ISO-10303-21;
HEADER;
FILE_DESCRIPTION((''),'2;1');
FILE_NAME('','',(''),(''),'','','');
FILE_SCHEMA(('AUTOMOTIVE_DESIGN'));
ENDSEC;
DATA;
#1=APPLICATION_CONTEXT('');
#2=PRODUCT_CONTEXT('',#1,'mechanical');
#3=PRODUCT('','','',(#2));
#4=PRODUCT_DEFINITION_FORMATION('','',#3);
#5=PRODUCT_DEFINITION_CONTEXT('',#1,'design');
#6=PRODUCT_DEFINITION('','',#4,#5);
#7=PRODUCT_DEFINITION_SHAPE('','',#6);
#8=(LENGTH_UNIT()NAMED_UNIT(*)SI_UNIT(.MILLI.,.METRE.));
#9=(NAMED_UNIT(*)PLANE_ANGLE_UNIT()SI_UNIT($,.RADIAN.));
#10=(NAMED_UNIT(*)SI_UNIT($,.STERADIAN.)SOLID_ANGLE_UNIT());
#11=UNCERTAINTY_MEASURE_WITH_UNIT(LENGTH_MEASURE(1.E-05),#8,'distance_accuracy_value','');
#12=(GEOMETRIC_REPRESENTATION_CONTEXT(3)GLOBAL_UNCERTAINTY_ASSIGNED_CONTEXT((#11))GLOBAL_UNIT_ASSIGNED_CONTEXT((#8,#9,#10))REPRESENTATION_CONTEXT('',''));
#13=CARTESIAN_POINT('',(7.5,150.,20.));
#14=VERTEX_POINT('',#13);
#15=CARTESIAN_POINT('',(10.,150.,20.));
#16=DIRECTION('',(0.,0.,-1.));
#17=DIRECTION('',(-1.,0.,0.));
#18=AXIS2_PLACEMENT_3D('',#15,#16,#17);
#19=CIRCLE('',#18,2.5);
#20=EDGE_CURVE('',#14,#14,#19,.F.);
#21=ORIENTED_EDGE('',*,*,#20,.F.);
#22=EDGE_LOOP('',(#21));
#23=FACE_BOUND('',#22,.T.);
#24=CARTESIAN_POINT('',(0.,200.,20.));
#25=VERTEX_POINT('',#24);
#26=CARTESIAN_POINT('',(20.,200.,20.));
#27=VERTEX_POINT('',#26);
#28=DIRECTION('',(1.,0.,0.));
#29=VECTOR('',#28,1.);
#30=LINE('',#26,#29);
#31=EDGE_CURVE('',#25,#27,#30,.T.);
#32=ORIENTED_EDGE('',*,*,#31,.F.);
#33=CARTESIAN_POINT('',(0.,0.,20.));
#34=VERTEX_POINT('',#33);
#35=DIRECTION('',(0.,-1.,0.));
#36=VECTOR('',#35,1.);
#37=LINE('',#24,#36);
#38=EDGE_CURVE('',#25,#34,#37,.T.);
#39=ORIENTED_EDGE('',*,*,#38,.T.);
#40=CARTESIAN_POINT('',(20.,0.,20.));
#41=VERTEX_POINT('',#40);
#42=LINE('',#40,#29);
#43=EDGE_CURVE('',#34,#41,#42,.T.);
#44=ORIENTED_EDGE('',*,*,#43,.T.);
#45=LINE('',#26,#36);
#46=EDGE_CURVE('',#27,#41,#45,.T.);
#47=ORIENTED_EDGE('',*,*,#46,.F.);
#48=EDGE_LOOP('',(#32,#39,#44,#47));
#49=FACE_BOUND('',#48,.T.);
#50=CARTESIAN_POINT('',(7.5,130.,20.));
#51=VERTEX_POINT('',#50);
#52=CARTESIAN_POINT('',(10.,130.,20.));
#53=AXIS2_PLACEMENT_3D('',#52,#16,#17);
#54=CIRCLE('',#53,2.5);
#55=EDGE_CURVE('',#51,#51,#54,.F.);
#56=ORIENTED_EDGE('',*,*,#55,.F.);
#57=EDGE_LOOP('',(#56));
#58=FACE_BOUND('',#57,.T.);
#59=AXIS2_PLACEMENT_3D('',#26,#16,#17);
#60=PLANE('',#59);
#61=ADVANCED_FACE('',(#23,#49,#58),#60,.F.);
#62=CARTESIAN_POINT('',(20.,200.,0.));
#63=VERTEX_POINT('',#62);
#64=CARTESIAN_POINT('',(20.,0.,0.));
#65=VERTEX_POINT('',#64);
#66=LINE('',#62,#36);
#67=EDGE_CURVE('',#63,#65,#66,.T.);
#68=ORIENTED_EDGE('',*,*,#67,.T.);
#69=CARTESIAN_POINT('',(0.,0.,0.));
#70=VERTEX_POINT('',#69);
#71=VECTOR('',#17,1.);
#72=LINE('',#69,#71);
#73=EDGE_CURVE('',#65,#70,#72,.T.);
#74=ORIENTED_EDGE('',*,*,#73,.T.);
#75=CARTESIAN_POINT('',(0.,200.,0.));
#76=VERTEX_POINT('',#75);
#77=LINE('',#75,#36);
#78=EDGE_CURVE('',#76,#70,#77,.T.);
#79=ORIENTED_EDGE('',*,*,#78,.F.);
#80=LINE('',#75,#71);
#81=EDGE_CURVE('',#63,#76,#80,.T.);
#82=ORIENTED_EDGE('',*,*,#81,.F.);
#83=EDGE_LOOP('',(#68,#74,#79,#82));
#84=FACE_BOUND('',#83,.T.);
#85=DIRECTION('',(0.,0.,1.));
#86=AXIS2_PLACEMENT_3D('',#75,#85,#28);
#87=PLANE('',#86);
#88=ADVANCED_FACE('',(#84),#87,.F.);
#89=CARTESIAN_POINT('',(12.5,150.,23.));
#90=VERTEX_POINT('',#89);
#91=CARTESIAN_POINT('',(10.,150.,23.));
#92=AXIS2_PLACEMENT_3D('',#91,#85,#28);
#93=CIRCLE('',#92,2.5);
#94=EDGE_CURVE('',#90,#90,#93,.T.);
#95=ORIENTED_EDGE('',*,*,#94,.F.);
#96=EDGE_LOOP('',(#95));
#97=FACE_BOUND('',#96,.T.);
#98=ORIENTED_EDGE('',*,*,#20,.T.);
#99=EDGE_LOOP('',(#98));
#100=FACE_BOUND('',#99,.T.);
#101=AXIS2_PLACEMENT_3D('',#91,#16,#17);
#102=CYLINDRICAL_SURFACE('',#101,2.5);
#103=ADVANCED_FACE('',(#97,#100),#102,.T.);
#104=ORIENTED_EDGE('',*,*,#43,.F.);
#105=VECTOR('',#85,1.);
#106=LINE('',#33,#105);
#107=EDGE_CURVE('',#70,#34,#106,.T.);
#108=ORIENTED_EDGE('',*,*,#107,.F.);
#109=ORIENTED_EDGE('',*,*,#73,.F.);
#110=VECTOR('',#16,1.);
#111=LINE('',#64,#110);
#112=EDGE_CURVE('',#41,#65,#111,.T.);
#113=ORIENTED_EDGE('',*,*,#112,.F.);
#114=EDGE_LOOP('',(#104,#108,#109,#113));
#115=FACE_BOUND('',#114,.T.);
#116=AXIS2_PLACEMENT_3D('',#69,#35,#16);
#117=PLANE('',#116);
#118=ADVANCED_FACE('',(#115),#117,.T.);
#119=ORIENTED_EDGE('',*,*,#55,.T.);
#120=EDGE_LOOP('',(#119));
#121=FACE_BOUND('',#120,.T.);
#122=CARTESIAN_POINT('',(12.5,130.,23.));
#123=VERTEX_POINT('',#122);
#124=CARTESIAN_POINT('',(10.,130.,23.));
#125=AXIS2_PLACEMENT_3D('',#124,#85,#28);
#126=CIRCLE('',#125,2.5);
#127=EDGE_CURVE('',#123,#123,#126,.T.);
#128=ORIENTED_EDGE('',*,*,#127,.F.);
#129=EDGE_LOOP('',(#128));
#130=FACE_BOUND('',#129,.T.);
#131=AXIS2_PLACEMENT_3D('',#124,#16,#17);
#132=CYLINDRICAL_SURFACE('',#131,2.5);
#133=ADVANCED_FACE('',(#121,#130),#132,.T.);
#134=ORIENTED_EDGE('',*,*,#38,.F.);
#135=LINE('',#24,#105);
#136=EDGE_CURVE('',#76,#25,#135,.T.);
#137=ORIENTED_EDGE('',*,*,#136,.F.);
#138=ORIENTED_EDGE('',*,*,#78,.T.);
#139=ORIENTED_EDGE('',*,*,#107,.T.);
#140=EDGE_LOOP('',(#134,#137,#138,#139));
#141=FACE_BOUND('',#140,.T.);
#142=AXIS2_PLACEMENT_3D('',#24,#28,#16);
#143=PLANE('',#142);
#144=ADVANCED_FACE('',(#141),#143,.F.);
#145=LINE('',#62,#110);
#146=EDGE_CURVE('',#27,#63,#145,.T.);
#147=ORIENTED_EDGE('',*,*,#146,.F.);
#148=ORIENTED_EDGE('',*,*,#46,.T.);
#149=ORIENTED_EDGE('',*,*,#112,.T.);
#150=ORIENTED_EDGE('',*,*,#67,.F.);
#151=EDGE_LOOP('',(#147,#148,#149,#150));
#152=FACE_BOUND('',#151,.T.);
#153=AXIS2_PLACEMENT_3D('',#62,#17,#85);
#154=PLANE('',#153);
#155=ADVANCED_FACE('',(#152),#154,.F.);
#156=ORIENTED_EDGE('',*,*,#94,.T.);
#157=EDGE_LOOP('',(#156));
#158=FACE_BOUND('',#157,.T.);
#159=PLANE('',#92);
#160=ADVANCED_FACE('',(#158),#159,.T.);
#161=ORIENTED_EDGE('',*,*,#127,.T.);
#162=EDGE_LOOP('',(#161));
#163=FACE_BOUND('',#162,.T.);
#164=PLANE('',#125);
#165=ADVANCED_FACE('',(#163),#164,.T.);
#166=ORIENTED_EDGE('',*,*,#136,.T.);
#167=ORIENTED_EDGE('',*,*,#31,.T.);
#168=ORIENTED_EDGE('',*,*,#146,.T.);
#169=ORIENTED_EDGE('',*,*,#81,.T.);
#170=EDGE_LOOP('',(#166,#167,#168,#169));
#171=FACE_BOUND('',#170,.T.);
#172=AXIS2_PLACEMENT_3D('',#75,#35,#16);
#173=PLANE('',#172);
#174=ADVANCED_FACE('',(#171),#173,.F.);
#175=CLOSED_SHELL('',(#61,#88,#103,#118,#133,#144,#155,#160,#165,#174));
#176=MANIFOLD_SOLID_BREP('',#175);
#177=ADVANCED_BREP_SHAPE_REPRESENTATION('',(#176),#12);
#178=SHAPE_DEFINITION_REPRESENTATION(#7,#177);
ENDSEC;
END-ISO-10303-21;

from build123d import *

# Parameters (mm, degrees)
SKETCH4_W           = 20
SKETCH4_H           = 20
BOSS_EXTRUDE2_DEPTH = 200
SKETCH5_R           = 2.5
BOSS_EXTRUDE3_DEPTH = 3


with BuildPart() as part:
    # Sketch4 → Boss-Extrude2 (new body)
    with BuildSketch(Plane(origin=(0, 0, 0), x_dir=(1, 0, 0), z_dir=(0, 1, 0))):
        with Locations((10, -10)):
            Rectangle(SKETCH4_W, SKETCH4_H)
    extrude(amount=BOSS_EXTRUDE2_DEPTH)

    # Sketch5 → Boss-Extrude3 (add)
    with BuildSketch(Plane.XY.offset(20)):
        with Locations(Location((10, 150, 0), (0, 0, 180))):
            Circle(SKETCH5_R)
        with Locations(Location((10, 130, 0), (0, 0, 180))):
            Circle(SKETCH5_R)
    extrude(amount=BOSS_EXTRUDE3_DEPTH)


solid = part.part
